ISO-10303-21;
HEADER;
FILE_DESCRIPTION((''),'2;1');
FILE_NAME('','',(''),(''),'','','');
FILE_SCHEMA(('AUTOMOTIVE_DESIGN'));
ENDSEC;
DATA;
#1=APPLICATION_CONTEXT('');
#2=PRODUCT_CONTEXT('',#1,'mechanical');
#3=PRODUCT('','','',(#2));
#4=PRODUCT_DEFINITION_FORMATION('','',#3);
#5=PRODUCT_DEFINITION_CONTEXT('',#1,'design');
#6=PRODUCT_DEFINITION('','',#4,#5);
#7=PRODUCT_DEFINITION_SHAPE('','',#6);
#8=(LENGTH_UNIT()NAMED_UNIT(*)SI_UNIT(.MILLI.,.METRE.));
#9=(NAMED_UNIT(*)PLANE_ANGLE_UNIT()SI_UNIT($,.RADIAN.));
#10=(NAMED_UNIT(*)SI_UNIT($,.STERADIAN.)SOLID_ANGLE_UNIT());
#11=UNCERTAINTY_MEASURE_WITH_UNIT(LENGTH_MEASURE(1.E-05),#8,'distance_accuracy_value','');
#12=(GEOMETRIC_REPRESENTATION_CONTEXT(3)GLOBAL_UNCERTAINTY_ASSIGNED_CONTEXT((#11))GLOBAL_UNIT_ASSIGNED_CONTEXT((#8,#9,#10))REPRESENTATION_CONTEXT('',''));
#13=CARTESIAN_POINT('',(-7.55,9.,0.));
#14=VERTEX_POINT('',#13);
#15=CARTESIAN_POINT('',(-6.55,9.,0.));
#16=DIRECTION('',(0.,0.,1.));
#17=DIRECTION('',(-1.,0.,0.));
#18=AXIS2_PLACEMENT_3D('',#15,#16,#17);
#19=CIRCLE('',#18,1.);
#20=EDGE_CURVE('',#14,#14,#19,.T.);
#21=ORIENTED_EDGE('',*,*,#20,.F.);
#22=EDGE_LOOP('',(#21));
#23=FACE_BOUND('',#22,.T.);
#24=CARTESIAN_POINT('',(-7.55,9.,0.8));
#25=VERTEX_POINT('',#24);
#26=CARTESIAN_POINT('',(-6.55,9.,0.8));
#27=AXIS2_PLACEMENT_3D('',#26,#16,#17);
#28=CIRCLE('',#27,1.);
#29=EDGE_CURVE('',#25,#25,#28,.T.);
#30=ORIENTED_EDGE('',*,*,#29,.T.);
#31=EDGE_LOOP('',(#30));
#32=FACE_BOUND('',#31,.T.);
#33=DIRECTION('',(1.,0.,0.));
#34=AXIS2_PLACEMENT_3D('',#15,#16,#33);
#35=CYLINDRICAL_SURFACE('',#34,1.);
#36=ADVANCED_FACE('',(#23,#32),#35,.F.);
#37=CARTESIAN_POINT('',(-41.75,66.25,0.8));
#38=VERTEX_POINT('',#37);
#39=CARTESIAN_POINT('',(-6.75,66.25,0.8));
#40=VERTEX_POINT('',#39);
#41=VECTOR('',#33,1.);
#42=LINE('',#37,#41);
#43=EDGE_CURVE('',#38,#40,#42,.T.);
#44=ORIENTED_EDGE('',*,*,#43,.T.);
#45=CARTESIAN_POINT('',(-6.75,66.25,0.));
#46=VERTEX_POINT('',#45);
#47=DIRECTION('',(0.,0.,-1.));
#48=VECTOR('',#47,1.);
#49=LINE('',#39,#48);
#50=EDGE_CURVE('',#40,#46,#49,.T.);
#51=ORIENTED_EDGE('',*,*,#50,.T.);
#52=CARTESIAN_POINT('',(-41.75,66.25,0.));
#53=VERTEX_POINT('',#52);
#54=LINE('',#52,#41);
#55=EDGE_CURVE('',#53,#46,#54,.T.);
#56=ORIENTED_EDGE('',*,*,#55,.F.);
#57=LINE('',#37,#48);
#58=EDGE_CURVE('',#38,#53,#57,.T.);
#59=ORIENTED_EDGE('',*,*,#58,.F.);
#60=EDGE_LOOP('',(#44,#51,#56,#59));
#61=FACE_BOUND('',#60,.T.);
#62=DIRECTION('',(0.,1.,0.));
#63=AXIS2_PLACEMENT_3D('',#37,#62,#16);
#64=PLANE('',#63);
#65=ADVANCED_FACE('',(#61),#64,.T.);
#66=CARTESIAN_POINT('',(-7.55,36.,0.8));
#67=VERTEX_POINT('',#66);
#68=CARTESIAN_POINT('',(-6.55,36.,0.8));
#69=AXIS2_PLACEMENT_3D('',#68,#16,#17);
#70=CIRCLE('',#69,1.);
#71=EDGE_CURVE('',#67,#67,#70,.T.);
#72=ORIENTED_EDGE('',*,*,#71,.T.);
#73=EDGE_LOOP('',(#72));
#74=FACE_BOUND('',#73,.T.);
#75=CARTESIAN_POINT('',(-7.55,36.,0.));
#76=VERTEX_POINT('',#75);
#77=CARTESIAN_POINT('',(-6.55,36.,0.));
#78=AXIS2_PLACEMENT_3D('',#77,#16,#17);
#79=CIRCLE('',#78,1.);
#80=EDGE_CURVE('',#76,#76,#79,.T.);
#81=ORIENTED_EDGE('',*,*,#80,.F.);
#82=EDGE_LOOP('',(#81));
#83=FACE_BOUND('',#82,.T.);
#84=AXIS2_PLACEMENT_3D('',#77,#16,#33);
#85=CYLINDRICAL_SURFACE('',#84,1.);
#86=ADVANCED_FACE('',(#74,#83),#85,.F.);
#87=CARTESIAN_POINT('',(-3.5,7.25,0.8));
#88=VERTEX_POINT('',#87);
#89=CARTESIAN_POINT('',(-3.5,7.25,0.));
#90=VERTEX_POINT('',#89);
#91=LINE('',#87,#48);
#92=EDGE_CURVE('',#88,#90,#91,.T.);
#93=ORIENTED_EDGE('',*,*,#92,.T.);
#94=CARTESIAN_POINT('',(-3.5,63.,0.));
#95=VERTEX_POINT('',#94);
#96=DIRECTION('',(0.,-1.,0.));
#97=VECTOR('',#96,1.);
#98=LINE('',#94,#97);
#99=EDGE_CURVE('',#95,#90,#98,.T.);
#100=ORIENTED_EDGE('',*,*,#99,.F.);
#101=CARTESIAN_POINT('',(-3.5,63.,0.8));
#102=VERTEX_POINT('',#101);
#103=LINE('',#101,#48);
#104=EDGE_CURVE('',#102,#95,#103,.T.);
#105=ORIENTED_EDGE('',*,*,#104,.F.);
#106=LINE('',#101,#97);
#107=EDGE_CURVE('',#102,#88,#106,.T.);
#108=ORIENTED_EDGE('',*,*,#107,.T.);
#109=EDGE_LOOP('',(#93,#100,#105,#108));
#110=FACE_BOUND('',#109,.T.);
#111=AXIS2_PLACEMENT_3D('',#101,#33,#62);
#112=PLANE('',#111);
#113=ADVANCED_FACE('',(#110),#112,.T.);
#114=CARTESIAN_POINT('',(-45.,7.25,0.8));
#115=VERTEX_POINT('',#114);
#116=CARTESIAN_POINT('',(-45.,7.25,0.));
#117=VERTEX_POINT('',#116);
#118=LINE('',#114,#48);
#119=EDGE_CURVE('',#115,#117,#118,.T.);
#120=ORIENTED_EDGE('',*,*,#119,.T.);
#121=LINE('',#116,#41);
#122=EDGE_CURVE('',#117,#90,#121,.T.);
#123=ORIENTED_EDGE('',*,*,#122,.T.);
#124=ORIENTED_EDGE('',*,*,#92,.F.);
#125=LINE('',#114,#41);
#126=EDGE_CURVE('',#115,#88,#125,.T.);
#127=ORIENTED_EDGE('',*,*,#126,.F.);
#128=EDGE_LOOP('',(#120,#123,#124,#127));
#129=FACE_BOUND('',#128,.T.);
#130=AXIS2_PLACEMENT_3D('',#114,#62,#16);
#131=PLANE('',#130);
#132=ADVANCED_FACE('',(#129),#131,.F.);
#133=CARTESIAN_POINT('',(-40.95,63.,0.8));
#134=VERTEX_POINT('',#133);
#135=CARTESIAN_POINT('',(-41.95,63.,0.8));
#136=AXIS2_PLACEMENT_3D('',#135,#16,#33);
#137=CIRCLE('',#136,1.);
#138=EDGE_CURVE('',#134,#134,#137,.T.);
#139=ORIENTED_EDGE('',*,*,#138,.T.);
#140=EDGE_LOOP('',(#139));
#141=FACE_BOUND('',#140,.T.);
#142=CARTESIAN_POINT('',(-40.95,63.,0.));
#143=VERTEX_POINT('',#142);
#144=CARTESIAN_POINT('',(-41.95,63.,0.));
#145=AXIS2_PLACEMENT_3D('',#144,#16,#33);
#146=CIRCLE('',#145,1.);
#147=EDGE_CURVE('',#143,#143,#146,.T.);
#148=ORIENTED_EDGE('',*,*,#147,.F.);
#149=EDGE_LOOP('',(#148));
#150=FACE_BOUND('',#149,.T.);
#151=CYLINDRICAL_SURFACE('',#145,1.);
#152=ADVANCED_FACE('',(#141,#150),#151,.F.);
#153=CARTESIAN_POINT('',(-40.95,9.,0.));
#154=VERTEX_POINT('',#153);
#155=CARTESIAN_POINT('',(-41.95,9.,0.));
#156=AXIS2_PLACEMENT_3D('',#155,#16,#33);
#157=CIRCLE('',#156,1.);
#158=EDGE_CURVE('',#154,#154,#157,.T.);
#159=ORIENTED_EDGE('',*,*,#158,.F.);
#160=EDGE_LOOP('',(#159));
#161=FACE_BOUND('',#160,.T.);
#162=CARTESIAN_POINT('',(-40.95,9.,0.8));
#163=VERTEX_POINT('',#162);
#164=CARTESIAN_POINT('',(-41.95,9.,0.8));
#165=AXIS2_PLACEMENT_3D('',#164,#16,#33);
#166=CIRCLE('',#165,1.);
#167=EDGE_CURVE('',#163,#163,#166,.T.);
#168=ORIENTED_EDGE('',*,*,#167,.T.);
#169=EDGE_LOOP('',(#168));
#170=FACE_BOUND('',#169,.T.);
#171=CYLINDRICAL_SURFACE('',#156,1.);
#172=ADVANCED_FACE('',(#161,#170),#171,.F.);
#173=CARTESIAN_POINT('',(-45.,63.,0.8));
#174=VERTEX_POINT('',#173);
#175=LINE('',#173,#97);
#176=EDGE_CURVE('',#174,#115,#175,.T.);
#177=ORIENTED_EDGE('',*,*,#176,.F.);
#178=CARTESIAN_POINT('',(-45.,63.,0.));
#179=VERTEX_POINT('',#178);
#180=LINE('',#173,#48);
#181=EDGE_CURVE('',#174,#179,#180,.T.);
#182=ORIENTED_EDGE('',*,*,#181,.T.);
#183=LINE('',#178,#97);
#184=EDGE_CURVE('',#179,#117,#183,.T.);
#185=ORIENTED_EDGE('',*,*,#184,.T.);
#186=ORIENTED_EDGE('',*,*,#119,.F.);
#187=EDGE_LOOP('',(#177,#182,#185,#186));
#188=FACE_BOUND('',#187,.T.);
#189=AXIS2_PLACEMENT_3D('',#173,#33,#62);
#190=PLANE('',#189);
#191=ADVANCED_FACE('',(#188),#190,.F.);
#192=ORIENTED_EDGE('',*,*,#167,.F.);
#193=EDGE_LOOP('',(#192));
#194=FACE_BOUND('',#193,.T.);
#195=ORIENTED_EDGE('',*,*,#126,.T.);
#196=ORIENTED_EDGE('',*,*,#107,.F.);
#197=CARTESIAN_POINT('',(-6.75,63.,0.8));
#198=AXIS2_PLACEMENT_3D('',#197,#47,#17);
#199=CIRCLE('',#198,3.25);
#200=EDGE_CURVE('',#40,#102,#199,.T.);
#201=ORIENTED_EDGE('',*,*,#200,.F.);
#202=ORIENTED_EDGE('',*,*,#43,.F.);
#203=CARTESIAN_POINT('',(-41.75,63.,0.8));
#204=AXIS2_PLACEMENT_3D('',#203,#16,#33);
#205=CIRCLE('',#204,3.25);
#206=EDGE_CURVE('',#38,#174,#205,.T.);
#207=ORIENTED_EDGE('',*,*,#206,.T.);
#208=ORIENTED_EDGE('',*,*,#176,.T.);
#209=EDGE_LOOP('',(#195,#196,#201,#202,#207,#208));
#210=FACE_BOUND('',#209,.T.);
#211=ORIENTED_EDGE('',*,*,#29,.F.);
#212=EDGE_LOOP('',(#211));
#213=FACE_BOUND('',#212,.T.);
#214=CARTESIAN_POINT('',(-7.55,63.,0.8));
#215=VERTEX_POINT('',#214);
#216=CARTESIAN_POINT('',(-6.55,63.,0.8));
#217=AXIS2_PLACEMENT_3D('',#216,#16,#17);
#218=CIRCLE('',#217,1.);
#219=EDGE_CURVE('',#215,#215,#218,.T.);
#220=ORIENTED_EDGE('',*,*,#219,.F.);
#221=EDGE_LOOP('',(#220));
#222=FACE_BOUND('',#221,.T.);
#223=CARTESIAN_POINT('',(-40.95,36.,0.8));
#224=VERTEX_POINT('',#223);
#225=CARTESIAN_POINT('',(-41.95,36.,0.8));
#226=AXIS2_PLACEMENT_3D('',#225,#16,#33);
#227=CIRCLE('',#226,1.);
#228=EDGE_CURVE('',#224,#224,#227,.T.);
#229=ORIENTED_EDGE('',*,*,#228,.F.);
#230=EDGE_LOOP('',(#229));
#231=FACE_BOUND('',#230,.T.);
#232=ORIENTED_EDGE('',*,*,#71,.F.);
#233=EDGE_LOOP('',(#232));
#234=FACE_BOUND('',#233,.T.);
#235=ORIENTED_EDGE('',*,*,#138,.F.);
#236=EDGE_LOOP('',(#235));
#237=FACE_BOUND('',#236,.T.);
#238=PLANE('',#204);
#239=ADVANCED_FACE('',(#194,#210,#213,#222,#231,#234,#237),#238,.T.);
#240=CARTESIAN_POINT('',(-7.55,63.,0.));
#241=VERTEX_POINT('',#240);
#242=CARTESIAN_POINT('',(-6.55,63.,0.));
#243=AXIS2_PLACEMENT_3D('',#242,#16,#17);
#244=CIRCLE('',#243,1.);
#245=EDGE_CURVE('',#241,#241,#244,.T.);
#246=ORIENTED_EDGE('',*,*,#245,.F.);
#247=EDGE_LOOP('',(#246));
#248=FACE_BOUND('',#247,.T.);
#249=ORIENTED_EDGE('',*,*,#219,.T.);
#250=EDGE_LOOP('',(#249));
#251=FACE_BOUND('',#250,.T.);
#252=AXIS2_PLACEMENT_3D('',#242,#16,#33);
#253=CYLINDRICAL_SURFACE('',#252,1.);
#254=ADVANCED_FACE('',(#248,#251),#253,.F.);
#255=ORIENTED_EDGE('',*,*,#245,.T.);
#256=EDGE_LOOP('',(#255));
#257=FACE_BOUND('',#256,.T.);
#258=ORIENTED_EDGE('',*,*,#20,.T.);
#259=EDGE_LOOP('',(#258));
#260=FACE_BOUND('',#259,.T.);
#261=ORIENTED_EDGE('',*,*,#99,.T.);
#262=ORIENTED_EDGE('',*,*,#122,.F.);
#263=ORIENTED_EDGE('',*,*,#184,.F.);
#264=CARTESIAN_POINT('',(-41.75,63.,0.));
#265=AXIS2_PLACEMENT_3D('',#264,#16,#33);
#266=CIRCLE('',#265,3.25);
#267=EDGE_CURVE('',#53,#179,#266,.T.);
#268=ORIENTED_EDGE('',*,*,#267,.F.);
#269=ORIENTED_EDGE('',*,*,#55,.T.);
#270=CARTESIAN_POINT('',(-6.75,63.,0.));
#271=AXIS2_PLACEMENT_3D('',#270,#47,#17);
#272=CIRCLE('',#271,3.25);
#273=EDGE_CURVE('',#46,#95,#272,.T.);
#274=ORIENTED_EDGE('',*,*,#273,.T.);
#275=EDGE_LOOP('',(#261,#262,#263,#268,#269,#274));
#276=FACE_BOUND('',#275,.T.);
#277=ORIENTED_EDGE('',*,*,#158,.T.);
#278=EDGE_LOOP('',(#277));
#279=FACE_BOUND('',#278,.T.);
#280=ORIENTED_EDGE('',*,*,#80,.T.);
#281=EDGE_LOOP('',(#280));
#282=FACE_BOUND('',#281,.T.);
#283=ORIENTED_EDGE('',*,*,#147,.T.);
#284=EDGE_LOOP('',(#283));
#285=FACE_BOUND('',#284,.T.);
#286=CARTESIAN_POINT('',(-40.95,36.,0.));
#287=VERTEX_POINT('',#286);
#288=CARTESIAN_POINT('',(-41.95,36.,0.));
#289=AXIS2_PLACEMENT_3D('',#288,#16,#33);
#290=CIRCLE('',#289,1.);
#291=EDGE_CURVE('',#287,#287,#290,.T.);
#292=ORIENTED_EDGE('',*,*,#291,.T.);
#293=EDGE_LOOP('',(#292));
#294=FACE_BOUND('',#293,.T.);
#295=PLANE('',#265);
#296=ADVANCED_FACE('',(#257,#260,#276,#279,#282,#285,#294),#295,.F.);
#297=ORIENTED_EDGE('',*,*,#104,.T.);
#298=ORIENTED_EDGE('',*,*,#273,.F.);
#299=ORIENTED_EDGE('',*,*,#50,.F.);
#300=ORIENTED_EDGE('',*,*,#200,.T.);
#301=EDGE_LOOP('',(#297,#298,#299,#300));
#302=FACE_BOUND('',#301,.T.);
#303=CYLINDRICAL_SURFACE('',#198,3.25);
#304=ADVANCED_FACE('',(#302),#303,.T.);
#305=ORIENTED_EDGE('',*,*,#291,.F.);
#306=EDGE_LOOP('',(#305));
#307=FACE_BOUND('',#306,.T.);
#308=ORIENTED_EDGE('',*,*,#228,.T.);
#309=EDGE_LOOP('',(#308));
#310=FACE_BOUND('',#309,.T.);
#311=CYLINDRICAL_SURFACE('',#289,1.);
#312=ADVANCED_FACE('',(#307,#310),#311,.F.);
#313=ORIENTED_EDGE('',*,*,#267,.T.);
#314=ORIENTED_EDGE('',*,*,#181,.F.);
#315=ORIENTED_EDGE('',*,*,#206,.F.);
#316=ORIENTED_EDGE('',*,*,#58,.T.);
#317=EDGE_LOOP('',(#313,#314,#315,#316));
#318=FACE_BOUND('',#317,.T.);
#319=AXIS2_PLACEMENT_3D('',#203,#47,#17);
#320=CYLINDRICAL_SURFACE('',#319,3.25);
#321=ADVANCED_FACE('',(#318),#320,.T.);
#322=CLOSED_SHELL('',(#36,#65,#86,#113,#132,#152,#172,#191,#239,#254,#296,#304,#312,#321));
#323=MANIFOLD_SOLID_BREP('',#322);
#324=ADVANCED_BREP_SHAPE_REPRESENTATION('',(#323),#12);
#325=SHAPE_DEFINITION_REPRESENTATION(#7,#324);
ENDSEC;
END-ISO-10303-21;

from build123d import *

# Parameters (mm, degrees)
EXTRUDE_1_DEPTH     = 0.8
SKETCH_2_R          = 1
CUT_EXTRUDE_1_DEPTH = 81.091837911


with BuildPart() as part:
    # 草图1 → 凸台-拉伸1 (new body)
    with BuildSketch(Plane.XY):
        with BuildLine():
            Line((-41.75, 66.25), (-6.75, 66.25))
            ThreePointArc((-6.75, 66.25), (-4.451902961, 65.298097039), (-3.5, 63))
            Line((-3.5, 63), (-3.5, 7.25))
            Line((-3.5, 7.25), (-45, 7.25))
            Line((-45, 7.25), (-45, 63))
            ThreePointArc((-45, 63), (-44.048097039, 65.298097039), (-41.75, 66.25))
        make_face()
    extrude(amount=EXTRUDE_1_DEPTH)

    # 草图2 → 切除-拉伸1 (cut, through all)
    with BuildSketch(Plane.XY.offset(0.8)):
        with Locations((-41.95, 63)):
            Circle(SKETCH_2_R)
        with Locations((-41.95, 36)):
            Circle(SKETCH_2_R)
        with Locations((-41.95, 9)):
            Circle(SKETCH_2_R)
        with Locations(Location((-6.55, 9, 0), (0, 0, 180))):
            Circle(SKETCH_2_R)
        with Locations(Location((-6.55, 36, 0), (0, 0, 180))):
            Circle(SKETCH_2_R)
        with Locations(Location((-6.55, 63, 0), (0, 0, 180))):
            Circle(SKETCH_2_R)
    extrude(amount=-CUT_EXTRUDE_1_DEPTH, mode=Mode.SUBTRACT)


solid = part.part
